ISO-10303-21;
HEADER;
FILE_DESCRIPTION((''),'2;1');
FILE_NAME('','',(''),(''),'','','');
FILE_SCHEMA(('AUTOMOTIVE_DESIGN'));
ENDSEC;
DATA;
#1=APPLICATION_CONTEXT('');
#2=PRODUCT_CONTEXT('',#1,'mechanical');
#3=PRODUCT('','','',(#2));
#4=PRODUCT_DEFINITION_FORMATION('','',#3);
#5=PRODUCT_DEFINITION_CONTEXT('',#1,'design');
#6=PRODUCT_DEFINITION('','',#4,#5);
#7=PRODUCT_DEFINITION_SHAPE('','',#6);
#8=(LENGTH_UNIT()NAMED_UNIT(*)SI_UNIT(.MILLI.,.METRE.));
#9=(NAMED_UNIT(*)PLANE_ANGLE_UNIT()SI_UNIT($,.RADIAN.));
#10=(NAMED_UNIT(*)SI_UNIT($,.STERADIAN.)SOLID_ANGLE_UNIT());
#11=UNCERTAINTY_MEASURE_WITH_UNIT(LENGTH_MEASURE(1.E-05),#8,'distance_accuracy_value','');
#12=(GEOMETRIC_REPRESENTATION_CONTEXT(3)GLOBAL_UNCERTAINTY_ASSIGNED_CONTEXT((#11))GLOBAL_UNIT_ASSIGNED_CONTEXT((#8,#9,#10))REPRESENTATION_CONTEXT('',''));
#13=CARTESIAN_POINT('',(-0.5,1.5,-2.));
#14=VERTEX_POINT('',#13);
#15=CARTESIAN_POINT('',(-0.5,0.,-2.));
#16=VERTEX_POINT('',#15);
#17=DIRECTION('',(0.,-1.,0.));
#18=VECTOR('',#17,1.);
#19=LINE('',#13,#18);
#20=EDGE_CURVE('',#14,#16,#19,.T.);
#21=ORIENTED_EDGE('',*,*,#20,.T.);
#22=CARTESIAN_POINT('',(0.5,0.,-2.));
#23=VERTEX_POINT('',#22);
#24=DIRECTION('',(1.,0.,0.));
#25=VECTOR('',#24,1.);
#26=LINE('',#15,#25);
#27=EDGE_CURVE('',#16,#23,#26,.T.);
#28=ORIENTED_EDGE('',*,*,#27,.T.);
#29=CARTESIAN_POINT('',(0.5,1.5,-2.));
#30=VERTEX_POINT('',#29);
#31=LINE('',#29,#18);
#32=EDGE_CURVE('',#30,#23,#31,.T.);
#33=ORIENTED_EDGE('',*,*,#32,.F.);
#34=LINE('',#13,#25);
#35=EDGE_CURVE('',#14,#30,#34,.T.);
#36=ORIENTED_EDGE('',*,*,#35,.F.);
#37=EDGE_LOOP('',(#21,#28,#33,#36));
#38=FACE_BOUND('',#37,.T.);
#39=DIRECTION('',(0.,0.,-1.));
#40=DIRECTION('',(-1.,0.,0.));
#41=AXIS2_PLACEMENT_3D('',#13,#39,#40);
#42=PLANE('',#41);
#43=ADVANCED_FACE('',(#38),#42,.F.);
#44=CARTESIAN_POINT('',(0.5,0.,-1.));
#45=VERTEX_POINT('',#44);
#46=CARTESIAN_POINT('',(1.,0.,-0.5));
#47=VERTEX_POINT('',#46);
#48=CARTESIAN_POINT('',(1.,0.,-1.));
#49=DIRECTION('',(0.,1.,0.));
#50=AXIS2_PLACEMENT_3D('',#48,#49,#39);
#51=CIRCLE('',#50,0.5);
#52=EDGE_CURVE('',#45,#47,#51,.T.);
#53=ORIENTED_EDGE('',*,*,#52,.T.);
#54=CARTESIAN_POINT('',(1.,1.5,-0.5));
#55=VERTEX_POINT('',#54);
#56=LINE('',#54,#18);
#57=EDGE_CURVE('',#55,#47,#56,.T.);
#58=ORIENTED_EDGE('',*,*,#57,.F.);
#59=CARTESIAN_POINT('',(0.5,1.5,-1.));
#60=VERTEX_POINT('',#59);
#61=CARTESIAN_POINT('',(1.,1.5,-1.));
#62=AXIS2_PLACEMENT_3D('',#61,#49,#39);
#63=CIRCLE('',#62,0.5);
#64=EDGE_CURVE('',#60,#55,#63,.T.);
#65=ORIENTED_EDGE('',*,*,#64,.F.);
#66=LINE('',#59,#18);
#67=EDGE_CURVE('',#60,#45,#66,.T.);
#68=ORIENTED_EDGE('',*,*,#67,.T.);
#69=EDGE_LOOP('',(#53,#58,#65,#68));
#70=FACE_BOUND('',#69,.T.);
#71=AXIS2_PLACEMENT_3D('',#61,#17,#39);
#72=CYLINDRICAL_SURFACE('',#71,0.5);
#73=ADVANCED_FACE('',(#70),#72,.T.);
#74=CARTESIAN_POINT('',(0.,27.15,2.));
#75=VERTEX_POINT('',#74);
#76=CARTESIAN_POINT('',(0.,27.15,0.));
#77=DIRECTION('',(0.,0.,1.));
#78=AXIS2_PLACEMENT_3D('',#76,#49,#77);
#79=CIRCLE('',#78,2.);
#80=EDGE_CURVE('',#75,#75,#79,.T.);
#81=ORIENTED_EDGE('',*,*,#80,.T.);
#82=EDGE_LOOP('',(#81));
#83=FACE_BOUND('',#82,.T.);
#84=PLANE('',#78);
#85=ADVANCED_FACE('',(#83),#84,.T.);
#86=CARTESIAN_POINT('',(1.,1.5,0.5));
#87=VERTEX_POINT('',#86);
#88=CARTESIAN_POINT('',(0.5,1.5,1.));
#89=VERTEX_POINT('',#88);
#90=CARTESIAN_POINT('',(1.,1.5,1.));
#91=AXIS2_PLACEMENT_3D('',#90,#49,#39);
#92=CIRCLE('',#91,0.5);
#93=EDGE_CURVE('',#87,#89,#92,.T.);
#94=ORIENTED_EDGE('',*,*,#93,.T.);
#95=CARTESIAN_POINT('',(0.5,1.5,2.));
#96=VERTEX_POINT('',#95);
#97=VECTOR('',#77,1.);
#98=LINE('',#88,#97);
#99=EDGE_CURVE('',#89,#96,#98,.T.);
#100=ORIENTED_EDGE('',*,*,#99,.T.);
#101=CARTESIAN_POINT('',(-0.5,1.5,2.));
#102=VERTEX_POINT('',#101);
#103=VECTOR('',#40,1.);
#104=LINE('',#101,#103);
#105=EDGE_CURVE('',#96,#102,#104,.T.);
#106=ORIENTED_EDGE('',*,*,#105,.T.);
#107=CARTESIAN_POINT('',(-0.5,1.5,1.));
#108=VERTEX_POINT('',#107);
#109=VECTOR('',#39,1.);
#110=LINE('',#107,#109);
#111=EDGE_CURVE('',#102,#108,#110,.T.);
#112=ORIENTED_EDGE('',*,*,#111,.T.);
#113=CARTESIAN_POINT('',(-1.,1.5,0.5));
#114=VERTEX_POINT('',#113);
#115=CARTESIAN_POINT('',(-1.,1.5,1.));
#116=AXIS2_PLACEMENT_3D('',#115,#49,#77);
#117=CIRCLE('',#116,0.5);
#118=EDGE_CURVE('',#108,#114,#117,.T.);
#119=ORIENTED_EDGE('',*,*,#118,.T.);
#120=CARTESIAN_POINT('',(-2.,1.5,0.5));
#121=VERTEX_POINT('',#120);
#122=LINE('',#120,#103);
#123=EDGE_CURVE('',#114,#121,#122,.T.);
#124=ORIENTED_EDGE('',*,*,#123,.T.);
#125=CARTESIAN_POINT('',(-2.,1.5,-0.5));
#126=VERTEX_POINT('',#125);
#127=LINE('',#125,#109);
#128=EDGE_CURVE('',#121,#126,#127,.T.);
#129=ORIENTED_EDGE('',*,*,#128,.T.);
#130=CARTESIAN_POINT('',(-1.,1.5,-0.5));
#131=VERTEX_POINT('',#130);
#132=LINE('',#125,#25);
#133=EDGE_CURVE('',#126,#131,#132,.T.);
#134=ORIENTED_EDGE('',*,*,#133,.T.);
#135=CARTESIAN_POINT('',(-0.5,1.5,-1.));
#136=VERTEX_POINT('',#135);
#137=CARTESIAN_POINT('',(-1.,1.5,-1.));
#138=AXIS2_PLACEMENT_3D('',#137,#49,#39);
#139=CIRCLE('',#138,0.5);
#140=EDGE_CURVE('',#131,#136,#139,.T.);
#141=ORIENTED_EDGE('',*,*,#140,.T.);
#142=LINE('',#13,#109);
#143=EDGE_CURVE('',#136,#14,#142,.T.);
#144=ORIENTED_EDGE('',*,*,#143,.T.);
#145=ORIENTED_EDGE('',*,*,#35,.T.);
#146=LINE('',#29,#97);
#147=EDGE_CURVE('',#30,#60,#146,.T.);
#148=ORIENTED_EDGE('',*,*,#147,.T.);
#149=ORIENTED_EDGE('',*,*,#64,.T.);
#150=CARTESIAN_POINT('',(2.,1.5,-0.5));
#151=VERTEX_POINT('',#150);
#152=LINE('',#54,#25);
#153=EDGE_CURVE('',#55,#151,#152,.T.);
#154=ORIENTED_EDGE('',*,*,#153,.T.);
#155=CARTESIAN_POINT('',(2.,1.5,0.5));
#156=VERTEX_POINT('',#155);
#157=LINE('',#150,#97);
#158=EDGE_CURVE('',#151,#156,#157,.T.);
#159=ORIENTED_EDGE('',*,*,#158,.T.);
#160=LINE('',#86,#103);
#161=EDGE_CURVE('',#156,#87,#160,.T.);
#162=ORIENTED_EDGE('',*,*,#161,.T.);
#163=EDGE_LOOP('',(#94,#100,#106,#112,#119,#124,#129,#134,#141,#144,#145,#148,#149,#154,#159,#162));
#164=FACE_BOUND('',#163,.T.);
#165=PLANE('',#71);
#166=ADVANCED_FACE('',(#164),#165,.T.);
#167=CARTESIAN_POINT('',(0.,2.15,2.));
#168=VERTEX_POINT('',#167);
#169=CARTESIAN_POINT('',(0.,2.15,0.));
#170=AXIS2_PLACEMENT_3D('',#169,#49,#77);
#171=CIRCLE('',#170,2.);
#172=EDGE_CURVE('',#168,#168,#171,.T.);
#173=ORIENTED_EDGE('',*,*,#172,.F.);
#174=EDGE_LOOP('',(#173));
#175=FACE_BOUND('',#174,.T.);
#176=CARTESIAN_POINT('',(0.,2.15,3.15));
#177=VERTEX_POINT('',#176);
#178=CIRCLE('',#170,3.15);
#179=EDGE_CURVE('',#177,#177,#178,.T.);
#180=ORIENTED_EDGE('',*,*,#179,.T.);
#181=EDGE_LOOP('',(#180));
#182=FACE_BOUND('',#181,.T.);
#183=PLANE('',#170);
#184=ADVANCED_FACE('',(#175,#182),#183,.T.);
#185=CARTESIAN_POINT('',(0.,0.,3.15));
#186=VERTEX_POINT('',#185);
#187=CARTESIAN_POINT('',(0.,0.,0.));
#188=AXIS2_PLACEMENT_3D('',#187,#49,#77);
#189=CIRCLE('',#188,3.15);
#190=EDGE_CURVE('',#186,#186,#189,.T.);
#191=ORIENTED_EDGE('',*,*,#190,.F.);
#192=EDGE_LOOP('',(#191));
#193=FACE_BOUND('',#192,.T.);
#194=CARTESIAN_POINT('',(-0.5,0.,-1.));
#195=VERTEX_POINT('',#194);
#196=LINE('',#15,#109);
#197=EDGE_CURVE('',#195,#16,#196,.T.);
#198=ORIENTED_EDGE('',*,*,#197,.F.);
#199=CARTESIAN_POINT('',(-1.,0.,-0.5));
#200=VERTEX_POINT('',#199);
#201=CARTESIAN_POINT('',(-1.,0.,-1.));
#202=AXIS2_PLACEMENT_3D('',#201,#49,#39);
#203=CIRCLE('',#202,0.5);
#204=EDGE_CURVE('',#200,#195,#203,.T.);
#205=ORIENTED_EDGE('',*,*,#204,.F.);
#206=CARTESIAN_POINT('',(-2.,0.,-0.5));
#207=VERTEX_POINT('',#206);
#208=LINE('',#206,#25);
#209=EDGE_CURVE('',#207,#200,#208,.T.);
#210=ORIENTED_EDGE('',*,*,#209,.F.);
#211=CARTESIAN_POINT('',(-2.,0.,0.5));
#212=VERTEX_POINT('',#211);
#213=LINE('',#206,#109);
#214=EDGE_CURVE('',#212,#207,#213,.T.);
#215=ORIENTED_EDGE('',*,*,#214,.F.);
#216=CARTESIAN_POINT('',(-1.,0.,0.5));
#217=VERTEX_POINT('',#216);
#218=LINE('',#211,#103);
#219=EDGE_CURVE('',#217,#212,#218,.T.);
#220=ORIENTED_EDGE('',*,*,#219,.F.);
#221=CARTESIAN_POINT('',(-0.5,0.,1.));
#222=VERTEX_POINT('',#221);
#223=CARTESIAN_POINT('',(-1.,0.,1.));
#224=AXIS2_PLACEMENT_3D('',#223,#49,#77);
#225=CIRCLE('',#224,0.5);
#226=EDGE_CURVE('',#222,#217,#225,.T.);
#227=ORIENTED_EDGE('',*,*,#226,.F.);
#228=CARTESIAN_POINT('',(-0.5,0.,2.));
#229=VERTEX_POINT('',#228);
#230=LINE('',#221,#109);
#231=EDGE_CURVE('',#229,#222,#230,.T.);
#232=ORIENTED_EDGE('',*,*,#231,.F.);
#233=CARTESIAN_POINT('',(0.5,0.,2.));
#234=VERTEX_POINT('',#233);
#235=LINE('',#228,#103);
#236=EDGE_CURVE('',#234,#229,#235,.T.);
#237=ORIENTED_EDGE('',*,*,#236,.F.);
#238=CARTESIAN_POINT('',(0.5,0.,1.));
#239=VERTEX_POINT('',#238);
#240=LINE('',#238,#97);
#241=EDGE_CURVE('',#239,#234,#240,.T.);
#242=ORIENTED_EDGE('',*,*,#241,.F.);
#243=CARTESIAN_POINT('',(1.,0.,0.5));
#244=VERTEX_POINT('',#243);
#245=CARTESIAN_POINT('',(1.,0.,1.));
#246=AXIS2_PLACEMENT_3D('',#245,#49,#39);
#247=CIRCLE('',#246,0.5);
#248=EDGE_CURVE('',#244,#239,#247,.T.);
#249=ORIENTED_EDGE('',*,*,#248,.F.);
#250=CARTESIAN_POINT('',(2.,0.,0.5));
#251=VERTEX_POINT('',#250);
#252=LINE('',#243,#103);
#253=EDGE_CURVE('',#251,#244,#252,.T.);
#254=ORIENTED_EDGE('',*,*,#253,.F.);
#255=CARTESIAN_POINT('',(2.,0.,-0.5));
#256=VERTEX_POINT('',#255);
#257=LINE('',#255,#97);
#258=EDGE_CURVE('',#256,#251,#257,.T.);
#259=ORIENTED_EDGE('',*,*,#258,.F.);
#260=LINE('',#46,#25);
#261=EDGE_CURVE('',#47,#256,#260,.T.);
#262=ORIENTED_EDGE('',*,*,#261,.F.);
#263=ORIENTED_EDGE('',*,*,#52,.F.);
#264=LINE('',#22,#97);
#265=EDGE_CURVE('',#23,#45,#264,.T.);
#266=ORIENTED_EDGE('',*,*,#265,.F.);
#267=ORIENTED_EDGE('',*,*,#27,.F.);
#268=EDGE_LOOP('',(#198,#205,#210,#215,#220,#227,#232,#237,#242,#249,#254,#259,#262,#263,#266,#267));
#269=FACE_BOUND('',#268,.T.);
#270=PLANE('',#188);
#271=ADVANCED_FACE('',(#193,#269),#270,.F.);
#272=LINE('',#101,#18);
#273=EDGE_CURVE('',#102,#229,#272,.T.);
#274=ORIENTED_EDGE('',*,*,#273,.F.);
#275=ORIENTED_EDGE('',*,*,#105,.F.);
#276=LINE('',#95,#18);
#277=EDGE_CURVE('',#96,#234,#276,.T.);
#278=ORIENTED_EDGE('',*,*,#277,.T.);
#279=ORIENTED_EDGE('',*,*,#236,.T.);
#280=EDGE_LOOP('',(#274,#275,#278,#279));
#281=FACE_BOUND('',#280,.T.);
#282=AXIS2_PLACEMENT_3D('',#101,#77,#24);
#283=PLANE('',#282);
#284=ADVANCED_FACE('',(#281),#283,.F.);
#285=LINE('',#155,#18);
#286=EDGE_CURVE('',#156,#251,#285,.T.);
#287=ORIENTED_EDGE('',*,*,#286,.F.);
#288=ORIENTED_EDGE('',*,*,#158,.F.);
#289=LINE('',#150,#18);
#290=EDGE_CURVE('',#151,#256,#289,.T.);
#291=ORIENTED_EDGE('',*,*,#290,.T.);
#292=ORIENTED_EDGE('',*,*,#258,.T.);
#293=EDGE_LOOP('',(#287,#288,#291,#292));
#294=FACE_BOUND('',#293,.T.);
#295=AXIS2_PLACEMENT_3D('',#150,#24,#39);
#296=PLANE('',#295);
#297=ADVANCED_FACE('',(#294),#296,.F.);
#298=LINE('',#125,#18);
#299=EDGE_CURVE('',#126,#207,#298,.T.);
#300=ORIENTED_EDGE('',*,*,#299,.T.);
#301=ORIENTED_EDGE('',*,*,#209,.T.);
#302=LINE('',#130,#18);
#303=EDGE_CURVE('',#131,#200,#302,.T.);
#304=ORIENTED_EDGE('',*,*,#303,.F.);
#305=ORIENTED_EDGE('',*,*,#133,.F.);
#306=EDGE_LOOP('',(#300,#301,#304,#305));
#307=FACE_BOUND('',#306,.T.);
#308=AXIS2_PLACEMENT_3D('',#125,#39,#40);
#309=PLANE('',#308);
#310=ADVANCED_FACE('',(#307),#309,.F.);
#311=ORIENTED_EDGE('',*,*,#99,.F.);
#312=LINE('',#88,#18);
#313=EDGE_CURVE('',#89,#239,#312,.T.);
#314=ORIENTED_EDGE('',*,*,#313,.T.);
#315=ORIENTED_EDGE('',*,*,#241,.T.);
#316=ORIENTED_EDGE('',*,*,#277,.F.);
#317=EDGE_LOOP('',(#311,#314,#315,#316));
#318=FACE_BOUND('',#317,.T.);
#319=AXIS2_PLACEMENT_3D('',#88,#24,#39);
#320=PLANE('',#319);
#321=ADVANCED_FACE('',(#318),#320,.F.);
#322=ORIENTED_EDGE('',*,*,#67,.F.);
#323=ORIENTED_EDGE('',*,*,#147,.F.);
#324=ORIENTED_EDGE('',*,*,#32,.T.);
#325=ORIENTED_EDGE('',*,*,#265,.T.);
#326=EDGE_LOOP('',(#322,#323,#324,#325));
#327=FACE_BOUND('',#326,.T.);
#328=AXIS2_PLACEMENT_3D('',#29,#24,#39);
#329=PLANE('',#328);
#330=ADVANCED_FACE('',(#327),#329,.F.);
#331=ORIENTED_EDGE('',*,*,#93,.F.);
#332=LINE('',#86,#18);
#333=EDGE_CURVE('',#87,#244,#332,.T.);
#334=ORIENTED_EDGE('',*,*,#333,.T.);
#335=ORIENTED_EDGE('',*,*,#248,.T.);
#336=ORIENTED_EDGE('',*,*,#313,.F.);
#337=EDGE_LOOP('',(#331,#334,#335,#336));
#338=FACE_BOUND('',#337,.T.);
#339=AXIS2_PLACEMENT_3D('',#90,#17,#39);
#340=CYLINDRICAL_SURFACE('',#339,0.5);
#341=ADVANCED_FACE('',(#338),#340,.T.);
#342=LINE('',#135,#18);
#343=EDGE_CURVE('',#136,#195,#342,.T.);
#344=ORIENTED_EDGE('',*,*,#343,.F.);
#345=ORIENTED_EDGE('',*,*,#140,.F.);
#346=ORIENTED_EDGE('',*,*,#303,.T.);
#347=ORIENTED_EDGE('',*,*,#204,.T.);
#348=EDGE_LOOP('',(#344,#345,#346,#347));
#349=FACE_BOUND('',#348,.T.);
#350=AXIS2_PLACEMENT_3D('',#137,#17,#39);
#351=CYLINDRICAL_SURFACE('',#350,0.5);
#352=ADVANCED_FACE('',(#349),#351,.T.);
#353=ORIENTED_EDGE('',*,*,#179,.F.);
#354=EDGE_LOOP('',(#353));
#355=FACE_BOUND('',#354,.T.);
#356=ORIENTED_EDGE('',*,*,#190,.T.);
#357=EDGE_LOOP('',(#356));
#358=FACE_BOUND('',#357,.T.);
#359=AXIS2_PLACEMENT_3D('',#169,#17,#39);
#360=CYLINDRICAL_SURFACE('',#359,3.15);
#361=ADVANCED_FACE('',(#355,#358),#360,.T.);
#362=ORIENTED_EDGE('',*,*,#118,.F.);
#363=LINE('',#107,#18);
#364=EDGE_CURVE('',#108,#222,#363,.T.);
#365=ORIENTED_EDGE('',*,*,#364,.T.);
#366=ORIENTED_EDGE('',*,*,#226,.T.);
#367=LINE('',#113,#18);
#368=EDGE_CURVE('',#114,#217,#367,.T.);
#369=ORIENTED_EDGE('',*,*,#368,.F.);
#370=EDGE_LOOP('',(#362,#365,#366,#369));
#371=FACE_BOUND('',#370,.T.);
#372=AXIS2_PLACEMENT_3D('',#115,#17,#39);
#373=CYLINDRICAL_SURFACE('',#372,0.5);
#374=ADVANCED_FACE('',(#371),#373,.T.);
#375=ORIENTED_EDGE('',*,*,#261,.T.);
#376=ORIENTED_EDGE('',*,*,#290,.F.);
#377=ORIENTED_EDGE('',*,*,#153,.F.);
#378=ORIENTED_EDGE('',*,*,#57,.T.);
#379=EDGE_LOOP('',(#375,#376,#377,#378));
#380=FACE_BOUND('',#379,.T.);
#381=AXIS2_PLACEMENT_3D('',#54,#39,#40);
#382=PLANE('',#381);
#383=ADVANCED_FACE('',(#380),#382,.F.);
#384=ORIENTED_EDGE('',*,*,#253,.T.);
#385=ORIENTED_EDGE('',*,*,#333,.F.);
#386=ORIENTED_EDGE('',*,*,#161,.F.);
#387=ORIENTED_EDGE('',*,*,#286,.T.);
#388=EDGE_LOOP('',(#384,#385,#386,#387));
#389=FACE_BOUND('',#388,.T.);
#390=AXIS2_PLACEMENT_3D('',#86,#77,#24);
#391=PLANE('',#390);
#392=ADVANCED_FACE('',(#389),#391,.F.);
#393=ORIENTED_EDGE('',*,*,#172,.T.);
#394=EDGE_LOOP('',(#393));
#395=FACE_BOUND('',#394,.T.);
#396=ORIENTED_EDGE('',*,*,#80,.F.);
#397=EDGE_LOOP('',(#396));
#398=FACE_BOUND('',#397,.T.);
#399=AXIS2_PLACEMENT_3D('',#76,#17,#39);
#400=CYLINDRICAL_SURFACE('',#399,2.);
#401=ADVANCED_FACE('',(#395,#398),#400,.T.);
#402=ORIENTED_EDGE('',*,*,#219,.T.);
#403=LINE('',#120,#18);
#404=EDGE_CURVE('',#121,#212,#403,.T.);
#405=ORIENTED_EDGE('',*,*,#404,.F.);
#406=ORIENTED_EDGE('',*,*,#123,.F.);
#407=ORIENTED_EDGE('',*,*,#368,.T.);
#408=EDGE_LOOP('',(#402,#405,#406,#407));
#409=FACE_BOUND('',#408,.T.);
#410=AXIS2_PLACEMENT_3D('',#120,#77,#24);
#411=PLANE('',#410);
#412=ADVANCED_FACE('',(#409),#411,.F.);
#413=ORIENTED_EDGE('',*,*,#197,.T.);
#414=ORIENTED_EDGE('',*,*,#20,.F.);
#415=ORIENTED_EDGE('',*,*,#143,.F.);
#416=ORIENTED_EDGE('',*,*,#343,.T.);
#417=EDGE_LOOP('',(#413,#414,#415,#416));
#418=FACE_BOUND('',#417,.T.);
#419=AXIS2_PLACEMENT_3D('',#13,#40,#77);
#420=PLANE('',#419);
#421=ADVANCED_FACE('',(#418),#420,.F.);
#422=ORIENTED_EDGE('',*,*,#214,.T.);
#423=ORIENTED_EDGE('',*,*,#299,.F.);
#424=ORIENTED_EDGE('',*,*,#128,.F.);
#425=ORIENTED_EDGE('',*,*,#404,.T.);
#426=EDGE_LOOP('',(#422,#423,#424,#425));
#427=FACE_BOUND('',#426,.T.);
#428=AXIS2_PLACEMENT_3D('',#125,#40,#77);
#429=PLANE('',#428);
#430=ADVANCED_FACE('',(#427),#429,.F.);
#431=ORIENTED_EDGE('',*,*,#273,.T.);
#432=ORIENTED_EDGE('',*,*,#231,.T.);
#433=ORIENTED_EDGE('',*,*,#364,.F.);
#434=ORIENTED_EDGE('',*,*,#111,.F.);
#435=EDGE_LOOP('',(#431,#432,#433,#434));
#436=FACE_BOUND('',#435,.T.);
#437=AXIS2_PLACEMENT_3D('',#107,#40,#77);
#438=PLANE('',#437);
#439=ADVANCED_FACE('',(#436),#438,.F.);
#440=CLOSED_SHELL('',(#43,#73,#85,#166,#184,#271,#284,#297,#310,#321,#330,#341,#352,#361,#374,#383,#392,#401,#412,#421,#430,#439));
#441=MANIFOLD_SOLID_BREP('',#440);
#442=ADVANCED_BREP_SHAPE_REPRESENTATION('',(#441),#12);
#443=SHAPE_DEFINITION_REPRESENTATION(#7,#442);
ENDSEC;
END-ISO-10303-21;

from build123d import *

# Parameters (mm, degrees)
SKETCH_1_R          = 3.15
EXTRUDE_1_DEPTH     = 2.15
SKETCH_2_R          = 2
EXTRUDE_2_DEPTH     = 25
CUT_EXTRUDE_1_DEPTH = 1.5


with BuildPart() as part:
    # 草图1 → 凸台-拉伸1 (new body)
    with BuildSketch(Plane(origin=(0, 0, 0), x_dir=(1, 0, 0), z_dir=(0, 1, 0))):
        Circle(SKETCH_1_R)
    extrude(amount=EXTRUDE_1_DEPTH)

    # 草图2 → 凸台-拉伸2 (add)
    with BuildSketch(Plane(origin=(0, 2.15, 0), x_dir=(1, 0, 0), z_dir=(0, 1, 0))):
        Circle(SKETCH_2_R)
    extrude(amount=EXTRUDE_2_DEPTH)

    # 草图3 → 切除-拉伸1 (cut)
    with BuildSketch(Plane.XZ):
        with BuildLine():
            Line((-0.5, 1), (-0.5, 2))
            Line((-0.5, 2), (0.5, 2))
            Line((0.5, 2), (0.5, 1))
            ThreePointArc((0.5, 1), (0.646446609, 0.646446609), (1, 0.5))
            Line((1, 0.5), (2, 0.5))
            Line((2, 0.5), (2, -0.5))
            Line((2, -0.5), (1, -0.5))
            ThreePointArc((1, -0.5), (0.646446609, -0.646446609), (0.5, -1))
            Line((0.5, -1), (0.5, -2))
            Line((0.5, -2), (-0.5, -2))
            Line((-0.5, -2), (-0.5, -1))
            ThreePointArc((-0.5, -1), (-0.646446609, -0.646446609), (-1, -0.5))
            Line((-1, -0.5), (-2, -0.5))
            Line((-2, -0.5), (-2, 0.5))
            Line((-2, 0.5), (-1, 0.5))
            ThreePointArc((-1, 0.5), (-0.646446609, 0.646446609), (-0.5, 1))
        make_face()
    extrude(amount=-CUT_EXTRUDE_1_DEPTH, mode=Mode.SUBTRACT)


solid = part.part
